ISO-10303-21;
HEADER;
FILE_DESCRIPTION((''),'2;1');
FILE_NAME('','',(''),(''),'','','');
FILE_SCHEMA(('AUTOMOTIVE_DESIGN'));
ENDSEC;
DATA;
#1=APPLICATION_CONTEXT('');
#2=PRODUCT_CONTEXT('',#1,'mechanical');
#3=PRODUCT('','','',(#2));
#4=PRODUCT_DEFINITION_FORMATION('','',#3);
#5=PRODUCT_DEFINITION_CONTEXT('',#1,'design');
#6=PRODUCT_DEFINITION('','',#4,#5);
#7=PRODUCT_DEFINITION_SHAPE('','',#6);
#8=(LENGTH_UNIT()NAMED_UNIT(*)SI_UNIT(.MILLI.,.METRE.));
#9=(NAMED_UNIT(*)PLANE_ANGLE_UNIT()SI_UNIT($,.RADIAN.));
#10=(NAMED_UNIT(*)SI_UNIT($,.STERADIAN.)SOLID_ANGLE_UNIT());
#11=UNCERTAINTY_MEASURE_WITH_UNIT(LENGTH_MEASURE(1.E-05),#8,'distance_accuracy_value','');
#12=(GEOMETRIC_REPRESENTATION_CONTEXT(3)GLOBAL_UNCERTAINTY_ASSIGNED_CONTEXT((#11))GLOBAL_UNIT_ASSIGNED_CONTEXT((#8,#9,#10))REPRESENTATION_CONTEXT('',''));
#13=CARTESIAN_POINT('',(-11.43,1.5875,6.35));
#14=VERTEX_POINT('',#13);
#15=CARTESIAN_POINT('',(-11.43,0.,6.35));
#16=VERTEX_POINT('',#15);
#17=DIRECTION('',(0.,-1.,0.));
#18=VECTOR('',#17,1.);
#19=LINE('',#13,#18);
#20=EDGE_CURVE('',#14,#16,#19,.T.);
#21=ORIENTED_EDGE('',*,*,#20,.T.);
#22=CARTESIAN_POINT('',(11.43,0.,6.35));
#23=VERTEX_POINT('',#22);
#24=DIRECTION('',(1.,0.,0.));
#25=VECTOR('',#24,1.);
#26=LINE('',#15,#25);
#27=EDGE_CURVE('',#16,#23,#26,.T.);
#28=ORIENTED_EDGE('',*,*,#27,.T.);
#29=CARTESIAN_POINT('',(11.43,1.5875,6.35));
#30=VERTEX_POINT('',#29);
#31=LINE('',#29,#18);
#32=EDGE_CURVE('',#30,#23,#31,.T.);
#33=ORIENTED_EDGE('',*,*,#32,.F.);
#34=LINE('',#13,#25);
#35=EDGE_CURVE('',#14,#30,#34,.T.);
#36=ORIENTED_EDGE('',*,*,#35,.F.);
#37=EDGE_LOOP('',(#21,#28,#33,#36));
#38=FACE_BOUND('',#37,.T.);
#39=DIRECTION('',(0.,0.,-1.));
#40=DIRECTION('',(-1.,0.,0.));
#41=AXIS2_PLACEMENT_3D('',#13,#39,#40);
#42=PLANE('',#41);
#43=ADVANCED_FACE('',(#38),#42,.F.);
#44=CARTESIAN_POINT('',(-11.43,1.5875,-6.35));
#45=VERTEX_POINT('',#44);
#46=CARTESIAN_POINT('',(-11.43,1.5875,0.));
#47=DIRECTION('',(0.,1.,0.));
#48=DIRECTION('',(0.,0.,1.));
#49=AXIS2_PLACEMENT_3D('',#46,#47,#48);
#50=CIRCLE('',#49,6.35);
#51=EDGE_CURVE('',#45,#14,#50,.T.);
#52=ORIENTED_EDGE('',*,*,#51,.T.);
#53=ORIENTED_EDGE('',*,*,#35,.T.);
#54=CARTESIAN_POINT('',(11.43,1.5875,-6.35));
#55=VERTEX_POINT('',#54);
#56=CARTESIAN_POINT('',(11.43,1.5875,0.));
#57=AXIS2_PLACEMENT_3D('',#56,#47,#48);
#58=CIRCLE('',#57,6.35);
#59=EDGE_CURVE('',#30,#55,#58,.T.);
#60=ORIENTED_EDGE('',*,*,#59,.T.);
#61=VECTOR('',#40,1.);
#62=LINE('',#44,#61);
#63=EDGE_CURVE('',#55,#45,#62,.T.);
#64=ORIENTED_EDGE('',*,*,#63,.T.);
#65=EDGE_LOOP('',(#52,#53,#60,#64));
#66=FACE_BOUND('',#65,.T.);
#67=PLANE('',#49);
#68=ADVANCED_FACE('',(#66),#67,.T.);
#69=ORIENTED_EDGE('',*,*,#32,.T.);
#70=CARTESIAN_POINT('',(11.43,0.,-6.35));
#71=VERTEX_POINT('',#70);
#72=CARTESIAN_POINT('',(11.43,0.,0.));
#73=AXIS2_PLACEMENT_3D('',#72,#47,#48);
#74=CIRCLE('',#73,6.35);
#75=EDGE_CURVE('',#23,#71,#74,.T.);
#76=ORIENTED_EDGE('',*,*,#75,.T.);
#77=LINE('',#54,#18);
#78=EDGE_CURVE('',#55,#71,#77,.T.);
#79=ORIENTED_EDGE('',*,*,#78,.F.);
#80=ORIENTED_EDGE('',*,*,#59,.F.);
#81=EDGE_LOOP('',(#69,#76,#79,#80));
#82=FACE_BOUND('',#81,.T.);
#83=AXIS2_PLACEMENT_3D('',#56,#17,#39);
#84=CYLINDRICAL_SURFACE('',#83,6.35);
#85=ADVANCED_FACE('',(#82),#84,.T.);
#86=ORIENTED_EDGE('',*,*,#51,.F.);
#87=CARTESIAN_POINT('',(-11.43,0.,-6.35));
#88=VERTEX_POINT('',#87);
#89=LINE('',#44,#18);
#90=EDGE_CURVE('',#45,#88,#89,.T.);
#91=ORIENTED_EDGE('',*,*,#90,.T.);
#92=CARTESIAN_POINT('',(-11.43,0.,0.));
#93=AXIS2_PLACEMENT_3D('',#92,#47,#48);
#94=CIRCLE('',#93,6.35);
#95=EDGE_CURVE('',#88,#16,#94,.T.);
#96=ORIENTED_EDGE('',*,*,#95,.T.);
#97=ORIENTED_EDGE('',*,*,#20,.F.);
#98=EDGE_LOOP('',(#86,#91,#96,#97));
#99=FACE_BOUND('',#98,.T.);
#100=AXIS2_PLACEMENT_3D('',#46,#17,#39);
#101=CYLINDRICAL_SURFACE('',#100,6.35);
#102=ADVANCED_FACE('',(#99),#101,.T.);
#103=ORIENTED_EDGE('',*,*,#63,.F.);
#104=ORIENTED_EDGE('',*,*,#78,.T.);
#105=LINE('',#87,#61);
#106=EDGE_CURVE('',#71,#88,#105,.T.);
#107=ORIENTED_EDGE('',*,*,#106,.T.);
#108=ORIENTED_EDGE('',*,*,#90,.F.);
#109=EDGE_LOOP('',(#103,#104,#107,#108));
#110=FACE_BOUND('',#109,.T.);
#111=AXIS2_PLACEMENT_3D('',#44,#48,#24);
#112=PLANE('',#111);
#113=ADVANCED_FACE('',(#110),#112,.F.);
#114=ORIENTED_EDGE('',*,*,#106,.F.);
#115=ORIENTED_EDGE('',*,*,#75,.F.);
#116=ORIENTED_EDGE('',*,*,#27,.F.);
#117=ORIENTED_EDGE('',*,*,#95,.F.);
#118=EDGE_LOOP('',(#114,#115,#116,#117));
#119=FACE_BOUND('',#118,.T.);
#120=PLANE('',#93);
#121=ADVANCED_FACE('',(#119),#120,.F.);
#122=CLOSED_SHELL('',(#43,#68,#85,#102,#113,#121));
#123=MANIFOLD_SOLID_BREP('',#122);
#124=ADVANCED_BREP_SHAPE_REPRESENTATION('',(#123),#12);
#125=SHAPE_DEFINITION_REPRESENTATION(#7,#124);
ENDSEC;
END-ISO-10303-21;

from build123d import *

# Parameters (mm, degrees)
BOSS_EXTRUDE1_DEPTH = 1.5875


with BuildPart() as part:
    # Sketch1 → Boss-Extrude1 (new body)
    with BuildSketch(Plane(origin=(0, 0, 0), x_dir=(1, 0, 0), z_dir=(0, 1, 0))):
        with BuildLine():
            Line((-11.43, 6.35), (11.43, 6.35))
            ThreePointArc((11.43, 6.35), (17.78, 0), (11.43, -6.35))
            Line((11.43, -6.35), (-11.43, -6.35))
            ThreePointArc((-11.43, -6.35), (-17.78, 0), (-11.43, 6.35))
        make_face()
    extrude(amount=BOSS_EXTRUDE1_DEPTH)


solid = part.part
